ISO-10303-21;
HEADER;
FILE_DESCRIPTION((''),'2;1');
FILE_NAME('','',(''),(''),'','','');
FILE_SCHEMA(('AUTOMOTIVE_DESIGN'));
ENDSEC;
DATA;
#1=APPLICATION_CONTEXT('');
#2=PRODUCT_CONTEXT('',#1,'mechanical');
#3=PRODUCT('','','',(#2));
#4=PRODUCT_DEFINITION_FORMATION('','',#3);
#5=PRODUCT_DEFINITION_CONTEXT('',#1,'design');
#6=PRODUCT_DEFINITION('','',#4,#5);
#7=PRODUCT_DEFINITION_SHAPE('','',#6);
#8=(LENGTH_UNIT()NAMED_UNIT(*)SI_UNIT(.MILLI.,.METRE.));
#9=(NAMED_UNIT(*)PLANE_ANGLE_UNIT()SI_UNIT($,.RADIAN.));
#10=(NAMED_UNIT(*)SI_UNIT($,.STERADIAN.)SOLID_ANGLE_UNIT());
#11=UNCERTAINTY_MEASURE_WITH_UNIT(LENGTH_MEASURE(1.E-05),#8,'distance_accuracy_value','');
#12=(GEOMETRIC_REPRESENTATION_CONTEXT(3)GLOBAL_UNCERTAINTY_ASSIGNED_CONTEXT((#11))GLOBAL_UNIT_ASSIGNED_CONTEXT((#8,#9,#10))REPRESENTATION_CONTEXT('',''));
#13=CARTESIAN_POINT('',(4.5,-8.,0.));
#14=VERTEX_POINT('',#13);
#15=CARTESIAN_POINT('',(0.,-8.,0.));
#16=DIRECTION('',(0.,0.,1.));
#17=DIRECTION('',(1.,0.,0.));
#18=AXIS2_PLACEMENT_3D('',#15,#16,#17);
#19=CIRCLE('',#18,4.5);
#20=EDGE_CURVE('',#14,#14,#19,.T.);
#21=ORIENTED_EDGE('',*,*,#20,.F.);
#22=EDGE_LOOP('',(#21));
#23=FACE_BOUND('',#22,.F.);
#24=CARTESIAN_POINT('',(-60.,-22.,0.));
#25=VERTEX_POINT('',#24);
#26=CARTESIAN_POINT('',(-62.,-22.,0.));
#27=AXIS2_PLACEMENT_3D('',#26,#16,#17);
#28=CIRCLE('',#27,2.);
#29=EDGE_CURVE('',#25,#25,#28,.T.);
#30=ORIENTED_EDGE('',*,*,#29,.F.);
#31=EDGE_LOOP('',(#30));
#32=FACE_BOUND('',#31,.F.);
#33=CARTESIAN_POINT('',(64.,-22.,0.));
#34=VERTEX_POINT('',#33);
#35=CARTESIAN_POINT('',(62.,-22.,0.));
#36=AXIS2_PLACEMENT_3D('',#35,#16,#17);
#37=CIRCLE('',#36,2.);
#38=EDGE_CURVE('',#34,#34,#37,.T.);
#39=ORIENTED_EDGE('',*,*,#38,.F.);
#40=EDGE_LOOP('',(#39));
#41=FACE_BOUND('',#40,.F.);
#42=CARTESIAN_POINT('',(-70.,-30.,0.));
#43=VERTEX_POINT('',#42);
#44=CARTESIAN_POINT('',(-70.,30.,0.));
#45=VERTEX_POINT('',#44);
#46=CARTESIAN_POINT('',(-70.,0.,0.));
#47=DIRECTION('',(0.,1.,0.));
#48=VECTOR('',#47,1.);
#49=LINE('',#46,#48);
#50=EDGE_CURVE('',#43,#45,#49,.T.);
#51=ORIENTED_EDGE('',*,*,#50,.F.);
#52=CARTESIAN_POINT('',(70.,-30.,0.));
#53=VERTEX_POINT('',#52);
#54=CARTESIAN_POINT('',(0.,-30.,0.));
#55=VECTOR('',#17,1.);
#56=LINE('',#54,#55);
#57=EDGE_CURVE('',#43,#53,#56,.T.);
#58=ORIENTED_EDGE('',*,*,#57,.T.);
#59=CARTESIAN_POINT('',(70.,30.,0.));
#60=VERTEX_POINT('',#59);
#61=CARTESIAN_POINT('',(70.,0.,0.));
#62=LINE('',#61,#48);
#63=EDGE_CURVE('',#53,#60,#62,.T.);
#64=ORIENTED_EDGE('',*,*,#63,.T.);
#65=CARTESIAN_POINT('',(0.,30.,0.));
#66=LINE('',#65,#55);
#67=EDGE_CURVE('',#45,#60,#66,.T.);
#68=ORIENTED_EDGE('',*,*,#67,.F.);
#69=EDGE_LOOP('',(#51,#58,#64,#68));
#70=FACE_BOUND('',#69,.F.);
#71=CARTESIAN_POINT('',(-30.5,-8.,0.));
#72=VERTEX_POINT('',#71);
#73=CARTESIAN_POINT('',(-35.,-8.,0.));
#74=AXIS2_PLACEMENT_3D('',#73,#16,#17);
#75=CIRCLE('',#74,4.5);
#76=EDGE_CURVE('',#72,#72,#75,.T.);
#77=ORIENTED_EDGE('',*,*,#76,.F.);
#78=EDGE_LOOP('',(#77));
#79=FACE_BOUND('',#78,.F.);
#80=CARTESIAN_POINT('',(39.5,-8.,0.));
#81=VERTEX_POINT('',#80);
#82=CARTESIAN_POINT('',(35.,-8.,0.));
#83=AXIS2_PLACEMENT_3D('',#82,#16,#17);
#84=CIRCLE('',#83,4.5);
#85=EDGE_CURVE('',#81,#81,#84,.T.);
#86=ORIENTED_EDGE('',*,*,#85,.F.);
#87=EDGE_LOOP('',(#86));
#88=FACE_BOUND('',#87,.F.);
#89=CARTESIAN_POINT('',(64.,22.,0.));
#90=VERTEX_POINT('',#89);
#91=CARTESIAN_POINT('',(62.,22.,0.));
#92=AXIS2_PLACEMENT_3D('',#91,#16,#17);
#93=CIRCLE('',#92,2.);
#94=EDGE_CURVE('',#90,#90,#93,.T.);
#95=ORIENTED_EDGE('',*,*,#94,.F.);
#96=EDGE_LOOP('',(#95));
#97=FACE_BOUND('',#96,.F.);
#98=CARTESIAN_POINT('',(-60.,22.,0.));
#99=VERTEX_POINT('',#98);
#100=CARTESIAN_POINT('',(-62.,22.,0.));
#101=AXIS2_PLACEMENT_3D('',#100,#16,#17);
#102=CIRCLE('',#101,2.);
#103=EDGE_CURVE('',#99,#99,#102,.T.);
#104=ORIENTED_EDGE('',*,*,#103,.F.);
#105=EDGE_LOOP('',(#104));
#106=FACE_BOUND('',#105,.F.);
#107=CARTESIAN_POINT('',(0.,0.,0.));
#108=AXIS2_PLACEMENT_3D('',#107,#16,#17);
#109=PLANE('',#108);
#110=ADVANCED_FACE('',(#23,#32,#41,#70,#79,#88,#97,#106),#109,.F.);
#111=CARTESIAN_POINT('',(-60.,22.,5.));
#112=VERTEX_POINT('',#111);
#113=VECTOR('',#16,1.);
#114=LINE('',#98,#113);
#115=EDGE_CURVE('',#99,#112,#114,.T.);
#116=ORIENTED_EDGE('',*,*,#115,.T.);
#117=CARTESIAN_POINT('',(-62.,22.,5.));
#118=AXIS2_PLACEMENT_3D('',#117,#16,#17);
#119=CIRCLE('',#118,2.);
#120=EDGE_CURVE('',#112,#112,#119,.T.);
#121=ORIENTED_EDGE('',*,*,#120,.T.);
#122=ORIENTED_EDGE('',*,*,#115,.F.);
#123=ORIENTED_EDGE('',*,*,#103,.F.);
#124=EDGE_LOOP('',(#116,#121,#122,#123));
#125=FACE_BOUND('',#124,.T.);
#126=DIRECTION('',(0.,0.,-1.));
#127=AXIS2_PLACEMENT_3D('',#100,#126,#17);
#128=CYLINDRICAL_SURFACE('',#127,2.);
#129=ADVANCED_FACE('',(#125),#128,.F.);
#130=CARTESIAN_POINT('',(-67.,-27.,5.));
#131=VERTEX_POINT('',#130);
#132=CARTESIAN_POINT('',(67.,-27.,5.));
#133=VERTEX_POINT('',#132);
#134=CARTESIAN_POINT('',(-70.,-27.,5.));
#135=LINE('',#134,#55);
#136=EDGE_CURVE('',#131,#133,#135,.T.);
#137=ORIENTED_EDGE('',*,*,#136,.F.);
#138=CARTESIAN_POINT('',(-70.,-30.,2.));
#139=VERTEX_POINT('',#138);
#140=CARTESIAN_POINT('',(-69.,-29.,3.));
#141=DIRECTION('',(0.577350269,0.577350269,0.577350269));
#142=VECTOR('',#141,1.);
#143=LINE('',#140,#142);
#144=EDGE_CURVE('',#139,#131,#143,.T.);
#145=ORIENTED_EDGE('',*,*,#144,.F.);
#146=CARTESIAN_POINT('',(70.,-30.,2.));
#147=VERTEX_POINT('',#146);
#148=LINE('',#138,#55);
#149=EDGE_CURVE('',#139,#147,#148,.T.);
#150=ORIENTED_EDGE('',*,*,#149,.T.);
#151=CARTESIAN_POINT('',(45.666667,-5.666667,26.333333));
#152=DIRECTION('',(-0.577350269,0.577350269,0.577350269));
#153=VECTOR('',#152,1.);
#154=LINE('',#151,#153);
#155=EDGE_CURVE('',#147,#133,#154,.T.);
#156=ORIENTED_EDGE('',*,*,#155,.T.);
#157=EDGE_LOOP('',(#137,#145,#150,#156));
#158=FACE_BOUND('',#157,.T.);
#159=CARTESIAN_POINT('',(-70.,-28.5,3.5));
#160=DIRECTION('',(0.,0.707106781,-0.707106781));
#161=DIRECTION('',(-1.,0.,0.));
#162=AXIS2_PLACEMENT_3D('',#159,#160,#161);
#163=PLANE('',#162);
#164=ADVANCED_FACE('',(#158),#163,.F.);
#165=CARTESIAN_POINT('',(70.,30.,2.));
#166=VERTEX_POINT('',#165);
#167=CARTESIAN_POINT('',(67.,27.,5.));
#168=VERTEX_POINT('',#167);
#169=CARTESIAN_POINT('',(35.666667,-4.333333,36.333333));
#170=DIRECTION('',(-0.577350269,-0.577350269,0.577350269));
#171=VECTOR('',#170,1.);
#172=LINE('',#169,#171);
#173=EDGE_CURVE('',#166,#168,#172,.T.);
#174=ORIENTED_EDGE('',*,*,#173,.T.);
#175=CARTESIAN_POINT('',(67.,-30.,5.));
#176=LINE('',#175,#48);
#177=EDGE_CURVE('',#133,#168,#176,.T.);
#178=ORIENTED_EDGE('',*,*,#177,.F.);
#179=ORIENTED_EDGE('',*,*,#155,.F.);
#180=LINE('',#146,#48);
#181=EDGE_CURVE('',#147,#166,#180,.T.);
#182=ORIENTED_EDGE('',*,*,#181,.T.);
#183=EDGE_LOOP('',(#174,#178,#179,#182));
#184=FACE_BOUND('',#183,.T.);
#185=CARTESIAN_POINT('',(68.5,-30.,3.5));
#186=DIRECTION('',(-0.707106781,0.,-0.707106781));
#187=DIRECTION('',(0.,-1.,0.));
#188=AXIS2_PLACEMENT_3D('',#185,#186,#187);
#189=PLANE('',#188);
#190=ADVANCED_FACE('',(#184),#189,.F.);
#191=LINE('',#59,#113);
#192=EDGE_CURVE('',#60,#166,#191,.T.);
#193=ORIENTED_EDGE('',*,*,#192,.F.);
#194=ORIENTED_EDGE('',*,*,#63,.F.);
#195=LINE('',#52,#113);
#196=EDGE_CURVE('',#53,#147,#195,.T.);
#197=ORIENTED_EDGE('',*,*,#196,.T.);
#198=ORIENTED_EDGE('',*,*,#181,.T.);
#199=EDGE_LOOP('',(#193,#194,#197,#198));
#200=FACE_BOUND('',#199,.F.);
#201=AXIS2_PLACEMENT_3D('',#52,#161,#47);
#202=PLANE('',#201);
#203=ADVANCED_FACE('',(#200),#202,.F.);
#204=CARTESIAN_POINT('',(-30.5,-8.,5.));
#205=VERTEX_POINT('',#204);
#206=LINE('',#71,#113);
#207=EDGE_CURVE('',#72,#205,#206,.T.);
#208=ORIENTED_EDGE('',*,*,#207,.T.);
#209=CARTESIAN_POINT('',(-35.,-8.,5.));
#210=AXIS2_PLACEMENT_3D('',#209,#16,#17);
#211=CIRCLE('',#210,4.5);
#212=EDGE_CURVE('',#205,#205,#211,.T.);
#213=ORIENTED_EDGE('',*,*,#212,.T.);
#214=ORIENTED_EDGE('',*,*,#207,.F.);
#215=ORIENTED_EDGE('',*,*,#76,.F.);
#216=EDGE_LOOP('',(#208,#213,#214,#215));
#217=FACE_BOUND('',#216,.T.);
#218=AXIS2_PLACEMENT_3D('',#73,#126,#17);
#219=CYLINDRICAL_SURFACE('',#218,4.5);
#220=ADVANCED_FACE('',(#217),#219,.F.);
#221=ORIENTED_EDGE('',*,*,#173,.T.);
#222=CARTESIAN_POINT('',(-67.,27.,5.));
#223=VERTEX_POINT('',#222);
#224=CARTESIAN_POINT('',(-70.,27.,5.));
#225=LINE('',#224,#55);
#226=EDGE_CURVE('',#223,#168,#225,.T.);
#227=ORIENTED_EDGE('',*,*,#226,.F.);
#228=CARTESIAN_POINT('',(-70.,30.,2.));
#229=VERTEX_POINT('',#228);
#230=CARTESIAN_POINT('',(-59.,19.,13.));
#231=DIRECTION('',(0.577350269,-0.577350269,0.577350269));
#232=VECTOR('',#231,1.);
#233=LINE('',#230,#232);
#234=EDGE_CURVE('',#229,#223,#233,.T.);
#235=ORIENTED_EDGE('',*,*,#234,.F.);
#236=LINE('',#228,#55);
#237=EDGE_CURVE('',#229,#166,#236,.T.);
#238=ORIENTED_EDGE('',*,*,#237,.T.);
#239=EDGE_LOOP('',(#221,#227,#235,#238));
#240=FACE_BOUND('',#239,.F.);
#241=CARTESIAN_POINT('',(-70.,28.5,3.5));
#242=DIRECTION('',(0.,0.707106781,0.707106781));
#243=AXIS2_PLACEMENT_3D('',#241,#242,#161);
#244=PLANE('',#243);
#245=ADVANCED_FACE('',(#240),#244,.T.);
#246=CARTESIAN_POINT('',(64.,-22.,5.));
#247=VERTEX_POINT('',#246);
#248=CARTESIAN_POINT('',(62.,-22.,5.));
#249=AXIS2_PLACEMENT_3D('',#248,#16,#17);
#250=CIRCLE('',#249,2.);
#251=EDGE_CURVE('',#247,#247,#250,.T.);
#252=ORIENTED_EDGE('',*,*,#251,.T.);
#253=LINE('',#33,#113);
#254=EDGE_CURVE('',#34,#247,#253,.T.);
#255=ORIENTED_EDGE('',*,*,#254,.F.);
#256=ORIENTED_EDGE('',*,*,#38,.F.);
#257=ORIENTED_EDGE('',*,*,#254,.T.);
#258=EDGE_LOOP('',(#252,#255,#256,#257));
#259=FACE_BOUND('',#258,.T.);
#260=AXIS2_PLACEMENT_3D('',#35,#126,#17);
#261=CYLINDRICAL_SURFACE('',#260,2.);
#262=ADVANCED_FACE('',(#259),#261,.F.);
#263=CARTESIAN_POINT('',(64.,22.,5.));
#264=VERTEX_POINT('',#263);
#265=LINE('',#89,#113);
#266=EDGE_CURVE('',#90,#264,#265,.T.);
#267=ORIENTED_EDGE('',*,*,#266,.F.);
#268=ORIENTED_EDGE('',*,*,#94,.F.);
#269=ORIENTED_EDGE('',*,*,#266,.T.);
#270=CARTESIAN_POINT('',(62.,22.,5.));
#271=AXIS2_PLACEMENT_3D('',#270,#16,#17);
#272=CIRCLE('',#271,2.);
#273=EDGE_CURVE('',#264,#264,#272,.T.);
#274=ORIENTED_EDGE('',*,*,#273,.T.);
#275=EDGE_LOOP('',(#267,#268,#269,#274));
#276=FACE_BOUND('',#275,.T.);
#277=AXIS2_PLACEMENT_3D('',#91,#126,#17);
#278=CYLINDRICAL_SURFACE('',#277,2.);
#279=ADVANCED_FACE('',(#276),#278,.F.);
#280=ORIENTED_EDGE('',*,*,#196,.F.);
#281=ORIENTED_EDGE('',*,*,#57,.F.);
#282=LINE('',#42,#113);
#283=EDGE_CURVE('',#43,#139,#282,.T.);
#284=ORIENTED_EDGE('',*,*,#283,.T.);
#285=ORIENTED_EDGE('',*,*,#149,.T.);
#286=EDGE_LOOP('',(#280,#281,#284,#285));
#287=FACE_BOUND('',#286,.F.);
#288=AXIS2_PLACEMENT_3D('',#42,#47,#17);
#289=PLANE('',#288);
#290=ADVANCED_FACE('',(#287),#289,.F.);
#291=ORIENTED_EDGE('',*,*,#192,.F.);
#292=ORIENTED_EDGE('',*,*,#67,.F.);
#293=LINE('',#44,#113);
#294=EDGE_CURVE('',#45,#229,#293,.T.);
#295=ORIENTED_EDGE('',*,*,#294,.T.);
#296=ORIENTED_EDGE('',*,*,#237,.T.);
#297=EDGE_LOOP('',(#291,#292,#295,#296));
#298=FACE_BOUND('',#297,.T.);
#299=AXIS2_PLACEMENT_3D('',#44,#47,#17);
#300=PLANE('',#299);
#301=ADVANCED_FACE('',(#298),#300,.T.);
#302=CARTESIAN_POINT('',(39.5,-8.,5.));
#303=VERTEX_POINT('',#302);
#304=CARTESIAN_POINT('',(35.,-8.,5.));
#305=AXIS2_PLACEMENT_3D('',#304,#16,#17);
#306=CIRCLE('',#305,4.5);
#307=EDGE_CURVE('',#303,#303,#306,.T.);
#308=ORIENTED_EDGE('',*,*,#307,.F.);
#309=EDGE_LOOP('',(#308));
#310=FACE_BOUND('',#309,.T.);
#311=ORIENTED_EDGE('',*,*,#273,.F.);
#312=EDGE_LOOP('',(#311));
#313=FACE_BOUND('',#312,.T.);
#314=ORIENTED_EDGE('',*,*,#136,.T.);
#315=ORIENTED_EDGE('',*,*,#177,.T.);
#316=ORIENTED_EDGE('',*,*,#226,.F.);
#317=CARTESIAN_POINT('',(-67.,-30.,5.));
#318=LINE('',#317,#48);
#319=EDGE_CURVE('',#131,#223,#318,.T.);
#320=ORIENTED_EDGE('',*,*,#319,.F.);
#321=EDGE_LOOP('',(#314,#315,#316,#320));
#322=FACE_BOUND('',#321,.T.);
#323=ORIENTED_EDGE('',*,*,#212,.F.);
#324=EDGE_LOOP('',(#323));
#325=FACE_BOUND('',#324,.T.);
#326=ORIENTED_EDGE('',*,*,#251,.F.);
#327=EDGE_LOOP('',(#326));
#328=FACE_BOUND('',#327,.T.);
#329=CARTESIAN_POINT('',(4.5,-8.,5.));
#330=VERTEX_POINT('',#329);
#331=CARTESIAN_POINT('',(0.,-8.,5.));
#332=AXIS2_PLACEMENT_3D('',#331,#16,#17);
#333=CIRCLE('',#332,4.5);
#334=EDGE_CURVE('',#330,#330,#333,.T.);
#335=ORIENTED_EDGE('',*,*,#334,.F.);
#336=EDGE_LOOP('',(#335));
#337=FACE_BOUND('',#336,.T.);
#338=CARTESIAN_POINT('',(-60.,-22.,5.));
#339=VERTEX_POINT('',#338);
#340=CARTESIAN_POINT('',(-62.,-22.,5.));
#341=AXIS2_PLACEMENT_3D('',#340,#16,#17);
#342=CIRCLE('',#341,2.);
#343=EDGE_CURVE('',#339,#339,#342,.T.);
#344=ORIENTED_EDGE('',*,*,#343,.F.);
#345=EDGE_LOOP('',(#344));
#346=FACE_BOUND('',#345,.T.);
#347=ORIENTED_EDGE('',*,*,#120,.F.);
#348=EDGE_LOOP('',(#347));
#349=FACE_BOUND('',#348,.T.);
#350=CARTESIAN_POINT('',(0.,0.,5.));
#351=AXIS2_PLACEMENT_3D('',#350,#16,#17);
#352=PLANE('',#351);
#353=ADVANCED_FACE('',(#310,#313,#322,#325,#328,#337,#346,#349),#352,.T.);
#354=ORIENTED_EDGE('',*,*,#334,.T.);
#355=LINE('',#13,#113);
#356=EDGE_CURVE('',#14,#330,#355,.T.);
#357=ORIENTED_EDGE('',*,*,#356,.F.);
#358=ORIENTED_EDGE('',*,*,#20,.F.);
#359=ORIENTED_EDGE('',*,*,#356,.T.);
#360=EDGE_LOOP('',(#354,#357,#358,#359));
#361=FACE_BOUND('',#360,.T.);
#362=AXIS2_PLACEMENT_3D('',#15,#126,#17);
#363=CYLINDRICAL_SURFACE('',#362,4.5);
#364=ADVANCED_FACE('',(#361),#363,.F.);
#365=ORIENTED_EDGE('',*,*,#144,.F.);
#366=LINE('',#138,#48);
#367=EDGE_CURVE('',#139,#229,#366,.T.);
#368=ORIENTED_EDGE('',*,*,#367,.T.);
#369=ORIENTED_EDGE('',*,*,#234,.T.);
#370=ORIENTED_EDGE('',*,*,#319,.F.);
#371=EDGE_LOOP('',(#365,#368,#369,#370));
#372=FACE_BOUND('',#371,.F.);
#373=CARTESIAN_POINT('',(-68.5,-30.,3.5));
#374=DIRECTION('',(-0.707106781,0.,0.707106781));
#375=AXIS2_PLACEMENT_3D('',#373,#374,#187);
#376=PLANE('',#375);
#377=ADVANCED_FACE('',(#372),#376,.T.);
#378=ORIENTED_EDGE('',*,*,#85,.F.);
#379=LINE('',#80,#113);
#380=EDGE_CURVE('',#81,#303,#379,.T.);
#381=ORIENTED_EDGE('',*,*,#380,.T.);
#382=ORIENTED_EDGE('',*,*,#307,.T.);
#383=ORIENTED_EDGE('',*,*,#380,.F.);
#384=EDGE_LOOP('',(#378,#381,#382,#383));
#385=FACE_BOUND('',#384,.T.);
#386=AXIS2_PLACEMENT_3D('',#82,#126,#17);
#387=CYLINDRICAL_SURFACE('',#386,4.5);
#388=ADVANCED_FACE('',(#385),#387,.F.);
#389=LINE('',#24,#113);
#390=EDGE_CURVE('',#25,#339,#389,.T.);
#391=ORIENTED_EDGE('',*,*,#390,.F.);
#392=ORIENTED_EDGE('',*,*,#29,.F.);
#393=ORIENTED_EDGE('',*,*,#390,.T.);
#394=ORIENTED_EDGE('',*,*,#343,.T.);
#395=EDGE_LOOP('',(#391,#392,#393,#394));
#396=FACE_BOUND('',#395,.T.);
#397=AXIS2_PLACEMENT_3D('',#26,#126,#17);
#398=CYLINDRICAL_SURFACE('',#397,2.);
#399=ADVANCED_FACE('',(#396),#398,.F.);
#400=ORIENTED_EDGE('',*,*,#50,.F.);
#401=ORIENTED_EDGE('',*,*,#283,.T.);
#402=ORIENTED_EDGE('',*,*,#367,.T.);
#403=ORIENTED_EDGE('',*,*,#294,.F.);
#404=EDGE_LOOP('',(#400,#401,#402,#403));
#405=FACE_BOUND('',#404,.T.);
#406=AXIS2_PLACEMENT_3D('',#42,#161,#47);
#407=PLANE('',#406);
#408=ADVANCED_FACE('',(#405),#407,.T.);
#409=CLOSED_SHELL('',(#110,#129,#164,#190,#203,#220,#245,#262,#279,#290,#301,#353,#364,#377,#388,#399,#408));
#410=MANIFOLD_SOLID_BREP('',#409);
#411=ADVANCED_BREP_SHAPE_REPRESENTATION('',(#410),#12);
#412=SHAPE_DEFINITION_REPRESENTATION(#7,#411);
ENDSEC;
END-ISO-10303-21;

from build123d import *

# Parameters (mm, degrees)
F0_W     = 140
F0_H     = 60
F0_R     = 2
F0_R_2   = 4.5
F1_DEPTH = 5
F2_SIZE2 = 3
F2_SIZE  = 3


with BuildPart() as f1:
    # F0 (on Top) → F1 (new body)
    with BuildSketch(Plane.XY):
        Rectangle(F0_W, F0_H)
        with Locations((-62, -22)):
            Circle(F0_R, mode=Mode.SUBTRACT)
        with Locations((-35, -8)):
            Circle(F0_R_2, mode=Mode.SUBTRACT)
        with Locations((62, -22)):
            Circle(F0_R, mode=Mode.SUBTRACT)
        with Locations((0, -8)):
            Circle(F0_R_2, mode=Mode.SUBTRACT)
        with Locations((35, -8)):
            Circle(F0_R_2, mode=Mode.SUBTRACT)
        with Locations((-62, 22)):
            Circle(F0_R, mode=Mode.SUBTRACT)
        with Locations((62, 22)):
            Circle(F0_R, mode=Mode.SUBTRACT)
    extrude(amount=F1_DEPTH)

    # F2
    f2_edges = [f1.edges().sort_by_distance(p)[0] for p in [
        (0, -30, 5),
        (-70, 0, 5),
        (0, 30, 5),
        (70, 0, 5),
    ]]
    chamfer(f2_edges, length=F2_SIZE, length2=F2_SIZE2)


solid = f1.part
